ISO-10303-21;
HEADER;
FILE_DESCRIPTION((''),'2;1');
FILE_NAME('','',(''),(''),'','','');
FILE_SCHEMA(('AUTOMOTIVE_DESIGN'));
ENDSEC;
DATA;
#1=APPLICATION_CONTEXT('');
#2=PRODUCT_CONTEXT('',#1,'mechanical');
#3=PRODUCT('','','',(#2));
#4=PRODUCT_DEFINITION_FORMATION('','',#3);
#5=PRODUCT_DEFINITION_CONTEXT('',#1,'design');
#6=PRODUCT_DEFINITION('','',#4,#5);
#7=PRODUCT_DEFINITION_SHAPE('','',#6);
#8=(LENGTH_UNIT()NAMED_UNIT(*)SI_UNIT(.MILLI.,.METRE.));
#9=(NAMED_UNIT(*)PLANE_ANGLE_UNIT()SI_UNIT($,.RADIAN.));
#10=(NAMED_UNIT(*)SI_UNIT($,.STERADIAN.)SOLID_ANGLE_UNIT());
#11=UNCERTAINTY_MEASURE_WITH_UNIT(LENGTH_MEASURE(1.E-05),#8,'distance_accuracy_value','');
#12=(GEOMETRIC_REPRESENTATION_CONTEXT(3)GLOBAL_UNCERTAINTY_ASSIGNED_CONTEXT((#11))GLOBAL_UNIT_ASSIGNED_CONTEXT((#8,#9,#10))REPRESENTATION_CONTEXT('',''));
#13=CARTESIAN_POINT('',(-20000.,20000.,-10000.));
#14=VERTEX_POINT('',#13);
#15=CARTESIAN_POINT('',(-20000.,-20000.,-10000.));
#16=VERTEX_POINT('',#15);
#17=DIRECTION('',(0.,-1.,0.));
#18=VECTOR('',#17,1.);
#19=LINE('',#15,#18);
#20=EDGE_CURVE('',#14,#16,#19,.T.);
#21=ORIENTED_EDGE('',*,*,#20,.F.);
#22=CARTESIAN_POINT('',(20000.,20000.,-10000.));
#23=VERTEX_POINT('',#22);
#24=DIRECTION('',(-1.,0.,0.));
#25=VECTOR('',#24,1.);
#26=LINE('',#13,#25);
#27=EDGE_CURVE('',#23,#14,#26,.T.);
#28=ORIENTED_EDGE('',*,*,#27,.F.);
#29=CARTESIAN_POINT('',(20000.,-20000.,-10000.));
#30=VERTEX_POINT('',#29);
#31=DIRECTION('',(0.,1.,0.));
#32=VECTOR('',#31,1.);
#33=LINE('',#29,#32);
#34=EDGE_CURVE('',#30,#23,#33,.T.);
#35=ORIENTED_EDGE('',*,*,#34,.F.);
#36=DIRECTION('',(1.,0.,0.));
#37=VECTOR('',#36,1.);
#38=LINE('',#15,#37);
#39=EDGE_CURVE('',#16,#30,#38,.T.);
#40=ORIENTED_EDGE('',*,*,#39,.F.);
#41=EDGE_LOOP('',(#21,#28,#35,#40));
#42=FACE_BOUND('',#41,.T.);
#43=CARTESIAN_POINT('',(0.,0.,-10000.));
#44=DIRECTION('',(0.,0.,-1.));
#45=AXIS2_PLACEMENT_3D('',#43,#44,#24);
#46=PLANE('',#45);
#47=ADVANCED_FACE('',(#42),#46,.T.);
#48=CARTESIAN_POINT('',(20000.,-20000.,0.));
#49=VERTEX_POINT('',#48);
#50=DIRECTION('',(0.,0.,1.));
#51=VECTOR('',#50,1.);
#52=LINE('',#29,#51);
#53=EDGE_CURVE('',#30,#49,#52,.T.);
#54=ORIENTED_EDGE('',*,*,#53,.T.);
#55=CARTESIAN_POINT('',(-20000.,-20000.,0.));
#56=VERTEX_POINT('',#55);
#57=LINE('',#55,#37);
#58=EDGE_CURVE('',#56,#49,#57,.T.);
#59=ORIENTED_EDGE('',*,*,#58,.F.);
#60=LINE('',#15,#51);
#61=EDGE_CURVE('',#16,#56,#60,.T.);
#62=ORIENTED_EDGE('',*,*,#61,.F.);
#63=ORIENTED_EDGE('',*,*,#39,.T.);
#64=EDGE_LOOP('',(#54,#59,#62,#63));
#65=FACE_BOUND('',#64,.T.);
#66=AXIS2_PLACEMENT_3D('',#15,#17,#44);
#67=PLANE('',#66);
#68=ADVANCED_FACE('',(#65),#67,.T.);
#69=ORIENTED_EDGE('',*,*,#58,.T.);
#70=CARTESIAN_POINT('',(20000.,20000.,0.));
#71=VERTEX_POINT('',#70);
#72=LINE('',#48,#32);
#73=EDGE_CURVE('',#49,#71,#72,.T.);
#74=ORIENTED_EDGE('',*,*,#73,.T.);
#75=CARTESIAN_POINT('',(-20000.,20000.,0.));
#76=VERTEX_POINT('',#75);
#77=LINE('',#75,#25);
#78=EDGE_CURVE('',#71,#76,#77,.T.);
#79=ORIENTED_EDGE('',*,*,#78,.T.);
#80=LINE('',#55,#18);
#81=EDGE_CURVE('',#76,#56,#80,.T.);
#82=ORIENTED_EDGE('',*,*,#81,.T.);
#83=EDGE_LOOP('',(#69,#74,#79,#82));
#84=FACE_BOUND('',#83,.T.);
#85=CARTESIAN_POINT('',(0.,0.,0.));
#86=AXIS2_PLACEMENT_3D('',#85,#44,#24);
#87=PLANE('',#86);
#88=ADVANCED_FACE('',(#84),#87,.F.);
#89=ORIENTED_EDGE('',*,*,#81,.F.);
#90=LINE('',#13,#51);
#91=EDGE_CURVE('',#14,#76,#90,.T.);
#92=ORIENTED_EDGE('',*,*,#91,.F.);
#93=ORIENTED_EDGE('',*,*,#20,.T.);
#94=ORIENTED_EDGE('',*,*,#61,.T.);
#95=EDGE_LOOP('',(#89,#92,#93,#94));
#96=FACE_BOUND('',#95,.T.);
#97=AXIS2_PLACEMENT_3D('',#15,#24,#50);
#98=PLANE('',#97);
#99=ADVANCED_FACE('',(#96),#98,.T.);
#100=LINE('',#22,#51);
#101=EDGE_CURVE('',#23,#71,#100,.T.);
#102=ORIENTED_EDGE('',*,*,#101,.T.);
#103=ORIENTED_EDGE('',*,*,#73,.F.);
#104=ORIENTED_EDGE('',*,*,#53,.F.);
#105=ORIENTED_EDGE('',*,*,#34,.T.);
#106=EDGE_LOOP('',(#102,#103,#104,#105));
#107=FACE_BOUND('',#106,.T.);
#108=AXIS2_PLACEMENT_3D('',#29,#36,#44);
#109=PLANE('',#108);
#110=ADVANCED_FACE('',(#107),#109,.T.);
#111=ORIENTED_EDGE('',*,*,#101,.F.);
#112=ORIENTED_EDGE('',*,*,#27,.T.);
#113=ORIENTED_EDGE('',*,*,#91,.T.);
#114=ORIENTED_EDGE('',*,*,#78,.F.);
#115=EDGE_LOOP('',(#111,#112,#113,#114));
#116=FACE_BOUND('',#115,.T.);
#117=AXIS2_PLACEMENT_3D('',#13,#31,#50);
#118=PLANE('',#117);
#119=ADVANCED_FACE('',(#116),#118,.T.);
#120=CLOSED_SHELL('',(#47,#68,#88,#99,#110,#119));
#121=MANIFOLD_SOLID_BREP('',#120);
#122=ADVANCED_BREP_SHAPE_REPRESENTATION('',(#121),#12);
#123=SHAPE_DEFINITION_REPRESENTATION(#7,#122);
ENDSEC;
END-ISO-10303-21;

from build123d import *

# Parameters (mm, degrees)
SKETCH_1_W      = 40000
SKETCH_1_H      = 40000
EXTRUDE_1_DEPTH = 10000


with BuildPart() as part:
    # 草图1 → 凸台-拉伸1 (new body)
    with BuildSketch(Plane.XY):
        Rectangle(SKETCH_1_W, SKETCH_1_H)
    extrude(amount=-EXTRUDE_1_DEPTH)


solid = part.part
